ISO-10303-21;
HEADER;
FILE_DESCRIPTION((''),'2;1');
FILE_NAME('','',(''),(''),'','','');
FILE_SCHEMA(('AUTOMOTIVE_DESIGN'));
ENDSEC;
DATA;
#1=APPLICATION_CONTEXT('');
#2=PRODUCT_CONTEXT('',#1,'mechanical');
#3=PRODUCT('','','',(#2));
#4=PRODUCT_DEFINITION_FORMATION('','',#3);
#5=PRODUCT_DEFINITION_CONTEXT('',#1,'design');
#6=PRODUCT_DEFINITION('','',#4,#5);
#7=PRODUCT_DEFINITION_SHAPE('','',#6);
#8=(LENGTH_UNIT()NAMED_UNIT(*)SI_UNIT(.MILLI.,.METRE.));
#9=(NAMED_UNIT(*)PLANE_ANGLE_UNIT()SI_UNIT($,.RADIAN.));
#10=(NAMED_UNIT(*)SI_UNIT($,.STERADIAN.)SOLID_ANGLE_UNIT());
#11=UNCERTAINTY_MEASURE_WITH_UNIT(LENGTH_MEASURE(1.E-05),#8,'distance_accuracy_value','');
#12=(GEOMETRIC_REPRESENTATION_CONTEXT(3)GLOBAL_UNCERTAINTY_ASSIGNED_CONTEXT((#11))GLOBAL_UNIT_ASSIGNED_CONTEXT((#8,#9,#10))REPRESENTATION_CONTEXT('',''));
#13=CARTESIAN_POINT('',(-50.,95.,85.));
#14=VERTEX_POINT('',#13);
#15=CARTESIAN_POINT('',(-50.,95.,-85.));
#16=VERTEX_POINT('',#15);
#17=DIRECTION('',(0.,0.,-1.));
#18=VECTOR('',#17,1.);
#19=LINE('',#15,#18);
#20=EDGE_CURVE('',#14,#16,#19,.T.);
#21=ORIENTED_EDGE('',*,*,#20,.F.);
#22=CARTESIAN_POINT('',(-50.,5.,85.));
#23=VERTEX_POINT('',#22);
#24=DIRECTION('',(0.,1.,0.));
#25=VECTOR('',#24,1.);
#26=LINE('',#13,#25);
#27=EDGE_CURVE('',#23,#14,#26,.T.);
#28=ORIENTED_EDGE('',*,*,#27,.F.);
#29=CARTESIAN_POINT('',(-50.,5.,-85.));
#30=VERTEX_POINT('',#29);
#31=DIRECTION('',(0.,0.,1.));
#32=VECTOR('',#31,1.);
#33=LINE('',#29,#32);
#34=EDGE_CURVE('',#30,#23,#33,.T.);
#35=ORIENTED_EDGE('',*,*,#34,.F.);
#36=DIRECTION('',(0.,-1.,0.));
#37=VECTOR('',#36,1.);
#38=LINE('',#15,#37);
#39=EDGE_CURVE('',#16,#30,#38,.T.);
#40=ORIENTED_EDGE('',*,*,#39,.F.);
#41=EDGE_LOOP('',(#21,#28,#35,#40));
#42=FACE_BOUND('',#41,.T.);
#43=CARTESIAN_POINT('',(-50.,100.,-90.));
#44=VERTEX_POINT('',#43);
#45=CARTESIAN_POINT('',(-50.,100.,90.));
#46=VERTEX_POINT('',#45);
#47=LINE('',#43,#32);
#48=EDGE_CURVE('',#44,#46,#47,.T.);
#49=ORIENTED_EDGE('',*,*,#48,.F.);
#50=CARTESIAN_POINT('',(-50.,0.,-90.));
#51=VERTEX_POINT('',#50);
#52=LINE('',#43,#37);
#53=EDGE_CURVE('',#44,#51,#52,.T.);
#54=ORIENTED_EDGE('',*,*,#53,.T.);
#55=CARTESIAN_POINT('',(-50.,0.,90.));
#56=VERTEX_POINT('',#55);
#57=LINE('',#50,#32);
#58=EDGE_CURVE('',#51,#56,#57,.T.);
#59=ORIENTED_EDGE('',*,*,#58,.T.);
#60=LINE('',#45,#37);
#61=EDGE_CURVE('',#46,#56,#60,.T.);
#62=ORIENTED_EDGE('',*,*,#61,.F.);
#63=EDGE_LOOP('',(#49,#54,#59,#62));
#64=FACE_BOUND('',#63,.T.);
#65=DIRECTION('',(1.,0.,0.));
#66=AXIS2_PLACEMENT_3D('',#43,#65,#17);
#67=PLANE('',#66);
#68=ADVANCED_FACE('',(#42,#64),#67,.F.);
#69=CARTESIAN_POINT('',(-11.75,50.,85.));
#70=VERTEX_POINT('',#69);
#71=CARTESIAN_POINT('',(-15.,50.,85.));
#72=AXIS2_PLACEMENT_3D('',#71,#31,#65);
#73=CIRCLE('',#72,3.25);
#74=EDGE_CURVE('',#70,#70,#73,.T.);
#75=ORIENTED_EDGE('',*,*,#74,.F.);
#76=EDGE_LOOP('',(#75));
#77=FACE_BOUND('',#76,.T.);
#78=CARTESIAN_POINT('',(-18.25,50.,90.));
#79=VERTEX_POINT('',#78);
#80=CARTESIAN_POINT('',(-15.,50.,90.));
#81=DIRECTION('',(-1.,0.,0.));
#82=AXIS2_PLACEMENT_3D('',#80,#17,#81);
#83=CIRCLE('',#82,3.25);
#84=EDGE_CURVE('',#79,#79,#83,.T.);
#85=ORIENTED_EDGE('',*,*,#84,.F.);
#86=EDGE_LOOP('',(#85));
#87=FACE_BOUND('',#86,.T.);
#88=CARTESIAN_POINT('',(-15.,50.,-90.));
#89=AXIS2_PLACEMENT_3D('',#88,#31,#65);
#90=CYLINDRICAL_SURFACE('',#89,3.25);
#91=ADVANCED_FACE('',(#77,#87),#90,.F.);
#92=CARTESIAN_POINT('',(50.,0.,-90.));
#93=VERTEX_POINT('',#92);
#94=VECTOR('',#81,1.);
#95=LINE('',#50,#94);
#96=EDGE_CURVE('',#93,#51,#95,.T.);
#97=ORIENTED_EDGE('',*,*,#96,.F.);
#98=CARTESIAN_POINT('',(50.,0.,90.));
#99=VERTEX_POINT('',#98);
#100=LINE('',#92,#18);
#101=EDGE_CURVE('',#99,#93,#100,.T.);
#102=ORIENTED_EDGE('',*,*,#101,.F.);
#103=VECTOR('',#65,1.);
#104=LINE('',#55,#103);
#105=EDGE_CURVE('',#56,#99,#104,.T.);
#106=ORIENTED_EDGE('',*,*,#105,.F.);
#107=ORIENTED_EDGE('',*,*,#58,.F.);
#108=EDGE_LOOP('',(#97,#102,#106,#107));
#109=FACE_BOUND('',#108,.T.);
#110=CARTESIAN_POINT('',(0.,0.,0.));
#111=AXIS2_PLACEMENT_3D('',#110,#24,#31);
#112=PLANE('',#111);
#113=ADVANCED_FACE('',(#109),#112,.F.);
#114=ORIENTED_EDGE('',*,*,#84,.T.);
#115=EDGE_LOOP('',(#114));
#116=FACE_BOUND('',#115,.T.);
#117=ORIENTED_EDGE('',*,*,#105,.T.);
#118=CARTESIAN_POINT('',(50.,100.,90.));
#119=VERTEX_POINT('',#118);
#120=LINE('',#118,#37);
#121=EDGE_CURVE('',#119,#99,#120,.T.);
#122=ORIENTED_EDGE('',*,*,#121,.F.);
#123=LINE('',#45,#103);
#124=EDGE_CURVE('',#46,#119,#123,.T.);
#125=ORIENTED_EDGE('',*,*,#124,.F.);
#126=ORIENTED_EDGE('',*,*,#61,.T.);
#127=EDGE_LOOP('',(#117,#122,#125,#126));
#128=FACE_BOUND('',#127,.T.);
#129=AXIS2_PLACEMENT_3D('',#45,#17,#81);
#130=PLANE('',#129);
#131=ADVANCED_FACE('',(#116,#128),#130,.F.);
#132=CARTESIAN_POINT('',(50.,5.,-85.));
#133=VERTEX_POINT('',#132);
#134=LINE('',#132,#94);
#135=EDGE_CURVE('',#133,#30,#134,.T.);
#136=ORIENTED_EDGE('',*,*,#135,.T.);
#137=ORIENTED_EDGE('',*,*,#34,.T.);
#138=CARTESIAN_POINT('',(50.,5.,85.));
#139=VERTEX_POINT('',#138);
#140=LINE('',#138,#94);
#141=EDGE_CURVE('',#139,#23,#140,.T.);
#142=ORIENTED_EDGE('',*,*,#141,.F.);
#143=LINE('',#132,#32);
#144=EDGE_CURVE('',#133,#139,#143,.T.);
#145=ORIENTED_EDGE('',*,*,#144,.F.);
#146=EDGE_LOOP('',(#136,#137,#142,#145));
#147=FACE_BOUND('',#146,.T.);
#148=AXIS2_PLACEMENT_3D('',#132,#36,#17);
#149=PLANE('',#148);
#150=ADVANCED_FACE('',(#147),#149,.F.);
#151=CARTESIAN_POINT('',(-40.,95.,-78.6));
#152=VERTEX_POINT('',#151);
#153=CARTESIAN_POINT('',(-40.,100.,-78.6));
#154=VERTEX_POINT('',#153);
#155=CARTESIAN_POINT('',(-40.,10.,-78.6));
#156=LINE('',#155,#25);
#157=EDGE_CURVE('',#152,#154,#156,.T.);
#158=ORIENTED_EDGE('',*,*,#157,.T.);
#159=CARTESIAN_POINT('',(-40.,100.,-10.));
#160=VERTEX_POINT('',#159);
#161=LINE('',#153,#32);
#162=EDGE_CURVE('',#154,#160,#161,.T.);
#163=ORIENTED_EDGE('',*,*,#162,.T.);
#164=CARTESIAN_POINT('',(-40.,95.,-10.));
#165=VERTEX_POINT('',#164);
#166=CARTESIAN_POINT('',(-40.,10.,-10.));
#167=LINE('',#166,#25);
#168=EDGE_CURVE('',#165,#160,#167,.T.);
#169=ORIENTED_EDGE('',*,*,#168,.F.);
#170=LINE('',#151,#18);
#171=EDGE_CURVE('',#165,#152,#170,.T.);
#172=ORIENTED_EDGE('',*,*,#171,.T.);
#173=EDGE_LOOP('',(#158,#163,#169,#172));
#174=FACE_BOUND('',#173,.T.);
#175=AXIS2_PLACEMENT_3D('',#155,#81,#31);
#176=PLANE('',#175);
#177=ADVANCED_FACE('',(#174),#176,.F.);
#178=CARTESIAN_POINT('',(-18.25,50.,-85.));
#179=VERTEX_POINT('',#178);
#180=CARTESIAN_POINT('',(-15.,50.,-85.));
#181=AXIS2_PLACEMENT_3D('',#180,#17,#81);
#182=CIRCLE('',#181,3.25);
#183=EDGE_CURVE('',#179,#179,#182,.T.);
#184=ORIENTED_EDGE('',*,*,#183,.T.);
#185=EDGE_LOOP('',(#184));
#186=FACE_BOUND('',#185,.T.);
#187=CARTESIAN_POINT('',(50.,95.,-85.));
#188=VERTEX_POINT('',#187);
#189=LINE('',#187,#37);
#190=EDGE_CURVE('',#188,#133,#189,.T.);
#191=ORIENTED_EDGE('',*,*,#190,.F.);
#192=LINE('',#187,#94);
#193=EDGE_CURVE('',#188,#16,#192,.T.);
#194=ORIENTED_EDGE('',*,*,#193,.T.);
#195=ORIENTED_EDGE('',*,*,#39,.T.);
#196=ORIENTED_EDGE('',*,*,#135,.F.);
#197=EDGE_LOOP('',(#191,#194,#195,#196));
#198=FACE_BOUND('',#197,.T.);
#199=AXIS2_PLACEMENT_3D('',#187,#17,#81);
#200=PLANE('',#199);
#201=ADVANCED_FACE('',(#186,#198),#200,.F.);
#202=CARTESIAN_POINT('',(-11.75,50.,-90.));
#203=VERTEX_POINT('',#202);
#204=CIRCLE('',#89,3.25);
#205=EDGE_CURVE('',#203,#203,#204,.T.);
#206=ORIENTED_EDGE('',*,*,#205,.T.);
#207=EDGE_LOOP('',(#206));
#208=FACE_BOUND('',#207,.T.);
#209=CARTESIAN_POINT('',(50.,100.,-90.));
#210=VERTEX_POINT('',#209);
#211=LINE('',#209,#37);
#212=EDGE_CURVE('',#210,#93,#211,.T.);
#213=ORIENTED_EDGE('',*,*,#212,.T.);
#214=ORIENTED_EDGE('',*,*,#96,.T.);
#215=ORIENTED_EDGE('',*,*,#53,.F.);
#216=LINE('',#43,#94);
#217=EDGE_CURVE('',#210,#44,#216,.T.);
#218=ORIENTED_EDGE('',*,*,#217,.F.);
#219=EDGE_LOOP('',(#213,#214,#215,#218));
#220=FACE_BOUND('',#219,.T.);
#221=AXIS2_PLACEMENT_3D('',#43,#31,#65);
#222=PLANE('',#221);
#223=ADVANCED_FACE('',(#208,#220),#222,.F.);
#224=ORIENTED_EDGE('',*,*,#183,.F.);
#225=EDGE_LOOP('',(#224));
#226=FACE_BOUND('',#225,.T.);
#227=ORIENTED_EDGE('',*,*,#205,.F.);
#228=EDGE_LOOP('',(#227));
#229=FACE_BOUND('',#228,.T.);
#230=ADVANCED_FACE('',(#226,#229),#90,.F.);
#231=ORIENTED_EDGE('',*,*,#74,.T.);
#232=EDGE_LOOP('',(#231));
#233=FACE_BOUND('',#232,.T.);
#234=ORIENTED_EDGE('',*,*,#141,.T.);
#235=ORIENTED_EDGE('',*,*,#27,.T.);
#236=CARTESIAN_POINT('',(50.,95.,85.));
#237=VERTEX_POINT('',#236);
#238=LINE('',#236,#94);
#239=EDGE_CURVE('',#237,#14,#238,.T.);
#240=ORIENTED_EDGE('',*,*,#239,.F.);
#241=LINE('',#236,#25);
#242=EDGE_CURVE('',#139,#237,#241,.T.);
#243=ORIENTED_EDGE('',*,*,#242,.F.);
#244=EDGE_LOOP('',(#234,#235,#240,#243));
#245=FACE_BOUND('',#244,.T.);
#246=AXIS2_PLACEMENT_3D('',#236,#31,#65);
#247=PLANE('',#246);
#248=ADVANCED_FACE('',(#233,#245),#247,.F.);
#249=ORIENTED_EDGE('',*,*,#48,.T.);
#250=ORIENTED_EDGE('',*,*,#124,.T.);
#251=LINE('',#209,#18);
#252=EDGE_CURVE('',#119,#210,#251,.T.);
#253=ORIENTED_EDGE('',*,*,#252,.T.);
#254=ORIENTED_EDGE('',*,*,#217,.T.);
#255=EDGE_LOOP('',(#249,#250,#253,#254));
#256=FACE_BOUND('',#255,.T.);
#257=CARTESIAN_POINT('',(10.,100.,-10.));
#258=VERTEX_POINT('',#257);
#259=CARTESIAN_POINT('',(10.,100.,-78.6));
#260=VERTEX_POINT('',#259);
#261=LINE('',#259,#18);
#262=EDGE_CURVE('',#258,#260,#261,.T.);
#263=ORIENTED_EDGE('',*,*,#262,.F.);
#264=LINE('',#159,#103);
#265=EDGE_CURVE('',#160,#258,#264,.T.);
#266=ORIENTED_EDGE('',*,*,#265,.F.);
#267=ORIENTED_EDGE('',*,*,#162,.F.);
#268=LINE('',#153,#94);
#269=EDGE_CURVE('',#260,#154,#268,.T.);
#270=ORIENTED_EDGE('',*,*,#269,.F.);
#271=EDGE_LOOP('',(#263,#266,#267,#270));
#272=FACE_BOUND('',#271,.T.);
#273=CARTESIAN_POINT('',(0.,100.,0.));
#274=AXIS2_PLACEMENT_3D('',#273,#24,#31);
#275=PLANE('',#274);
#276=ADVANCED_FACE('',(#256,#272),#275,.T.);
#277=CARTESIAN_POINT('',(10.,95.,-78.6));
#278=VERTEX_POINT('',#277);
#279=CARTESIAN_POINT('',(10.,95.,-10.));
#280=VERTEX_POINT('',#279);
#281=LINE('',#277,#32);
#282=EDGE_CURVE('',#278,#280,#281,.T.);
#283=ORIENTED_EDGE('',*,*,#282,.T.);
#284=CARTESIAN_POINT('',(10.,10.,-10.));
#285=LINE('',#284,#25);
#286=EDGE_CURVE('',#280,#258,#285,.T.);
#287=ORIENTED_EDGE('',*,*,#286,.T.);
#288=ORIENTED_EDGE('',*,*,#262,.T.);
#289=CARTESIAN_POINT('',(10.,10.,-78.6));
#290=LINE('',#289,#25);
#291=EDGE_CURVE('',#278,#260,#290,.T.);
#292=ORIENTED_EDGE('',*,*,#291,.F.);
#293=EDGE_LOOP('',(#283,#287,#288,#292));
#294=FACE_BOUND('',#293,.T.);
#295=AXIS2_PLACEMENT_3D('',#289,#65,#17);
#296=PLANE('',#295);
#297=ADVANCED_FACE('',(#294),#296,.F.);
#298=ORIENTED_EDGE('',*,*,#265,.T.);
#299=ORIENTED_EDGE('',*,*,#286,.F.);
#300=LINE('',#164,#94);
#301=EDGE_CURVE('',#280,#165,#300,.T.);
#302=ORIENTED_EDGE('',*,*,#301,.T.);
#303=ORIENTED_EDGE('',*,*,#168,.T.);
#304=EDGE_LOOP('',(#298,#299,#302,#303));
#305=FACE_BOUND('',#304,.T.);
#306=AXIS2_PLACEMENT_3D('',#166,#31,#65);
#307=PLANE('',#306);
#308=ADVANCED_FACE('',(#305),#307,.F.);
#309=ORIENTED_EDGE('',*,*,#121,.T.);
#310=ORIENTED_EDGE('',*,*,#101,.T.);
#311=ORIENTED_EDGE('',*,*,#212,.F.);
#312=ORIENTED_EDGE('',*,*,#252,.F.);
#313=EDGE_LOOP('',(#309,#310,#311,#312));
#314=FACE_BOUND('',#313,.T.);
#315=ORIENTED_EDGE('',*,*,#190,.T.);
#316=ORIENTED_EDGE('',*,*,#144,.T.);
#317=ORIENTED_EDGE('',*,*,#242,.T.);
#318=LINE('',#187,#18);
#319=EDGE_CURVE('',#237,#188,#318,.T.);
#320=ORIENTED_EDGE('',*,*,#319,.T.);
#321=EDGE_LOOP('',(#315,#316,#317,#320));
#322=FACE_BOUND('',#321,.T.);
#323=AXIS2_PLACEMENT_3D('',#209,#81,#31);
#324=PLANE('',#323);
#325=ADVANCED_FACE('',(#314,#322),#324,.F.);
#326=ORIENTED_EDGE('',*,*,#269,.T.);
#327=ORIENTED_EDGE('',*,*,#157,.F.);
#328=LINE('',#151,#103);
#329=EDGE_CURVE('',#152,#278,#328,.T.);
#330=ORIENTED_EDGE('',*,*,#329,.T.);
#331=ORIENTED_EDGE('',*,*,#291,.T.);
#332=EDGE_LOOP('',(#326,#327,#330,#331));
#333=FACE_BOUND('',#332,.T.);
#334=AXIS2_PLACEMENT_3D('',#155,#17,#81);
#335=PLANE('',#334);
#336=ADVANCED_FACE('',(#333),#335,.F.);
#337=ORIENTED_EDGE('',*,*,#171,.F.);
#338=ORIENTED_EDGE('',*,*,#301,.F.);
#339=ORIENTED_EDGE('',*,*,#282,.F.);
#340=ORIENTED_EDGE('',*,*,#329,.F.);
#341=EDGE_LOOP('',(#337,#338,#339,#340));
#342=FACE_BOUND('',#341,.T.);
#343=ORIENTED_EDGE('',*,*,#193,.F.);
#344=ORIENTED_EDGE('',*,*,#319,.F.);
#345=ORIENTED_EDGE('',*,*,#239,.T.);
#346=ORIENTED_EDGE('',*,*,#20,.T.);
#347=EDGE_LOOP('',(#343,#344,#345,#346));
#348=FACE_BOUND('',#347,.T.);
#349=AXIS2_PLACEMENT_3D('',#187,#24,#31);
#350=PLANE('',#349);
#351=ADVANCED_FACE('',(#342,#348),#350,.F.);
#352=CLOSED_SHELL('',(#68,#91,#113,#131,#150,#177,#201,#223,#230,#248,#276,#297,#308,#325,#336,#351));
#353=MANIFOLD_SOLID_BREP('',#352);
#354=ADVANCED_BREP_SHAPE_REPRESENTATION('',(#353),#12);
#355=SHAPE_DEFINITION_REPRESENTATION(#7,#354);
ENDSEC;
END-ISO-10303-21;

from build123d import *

# Parameters (mm, degrees)
SKETCH_1_W               = 100
SKETCH_1_H               = 180
EXTRUDE_1_DEPTH          = 100
SKETCH_2_W               = 50
SKETCH_2_H               = 68.6
CUT_EXTRUDE_1_DEPTH      = 90
SKETCH_3_W               = 170
SKETCH_3_H               = 90
CUT_EXTRUDE_2_DEPTH      = 101
SKETCH_4_R               = 3.25
CUT_EXTRUDE_3_DEPTH      = 1
CUT_EXTRUDE_3_DEPTH_BACK = 181


with BuildPart() as part:
    # 草图1 → 凸台-拉伸1 (new body)
    with BuildSketch(Plane(origin=(0, 0, 0), x_dir=(1, 0, 0), z_dir=(0, 1, 0))):
        Rectangle(SKETCH_1_W, SKETCH_1_H)
    extrude(amount=EXTRUDE_1_DEPTH)

    # 草图2 → 切除-拉伸1 (cut)
    with BuildSketch(Plane(origin=(0, 100, 0), x_dir=(1, 0, 0), z_dir=(0, 1, 0))):
        with Locations((-15, 44.3)):
            Rectangle(SKETCH_2_W, SKETCH_2_H)
    extrude(amount=-CUT_EXTRUDE_1_DEPTH, mode=Mode.SUBTRACT)

    # 草图3 → 切除-拉伸2 (cut, through all)
    with BuildSketch(Plane.ZY.offset(50)):
        with Locations((0, 50)):
            Rectangle(SKETCH_3_W, SKETCH_3_H)
    extrude(amount=-CUT_EXTRUDE_2_DEPTH, mode=Mode.SUBTRACT)

    # 草图4 → 切除-拉伸3 (cut, two sides)
    with BuildSketch(Plane.XY.offset(90)) as cut_extrude_3_sk:
        with Locations((-15, 50)):
            Circle(SKETCH_4_R)
    extrude(amount=CUT_EXTRUDE_3_DEPTH, mode=Mode.SUBTRACT)
    extrude(cut_extrude_3_sk.sketch, amount=-CUT_EXTRUDE_3_DEPTH_BACK, mode=Mode.SUBTRACT)


solid = part.part
